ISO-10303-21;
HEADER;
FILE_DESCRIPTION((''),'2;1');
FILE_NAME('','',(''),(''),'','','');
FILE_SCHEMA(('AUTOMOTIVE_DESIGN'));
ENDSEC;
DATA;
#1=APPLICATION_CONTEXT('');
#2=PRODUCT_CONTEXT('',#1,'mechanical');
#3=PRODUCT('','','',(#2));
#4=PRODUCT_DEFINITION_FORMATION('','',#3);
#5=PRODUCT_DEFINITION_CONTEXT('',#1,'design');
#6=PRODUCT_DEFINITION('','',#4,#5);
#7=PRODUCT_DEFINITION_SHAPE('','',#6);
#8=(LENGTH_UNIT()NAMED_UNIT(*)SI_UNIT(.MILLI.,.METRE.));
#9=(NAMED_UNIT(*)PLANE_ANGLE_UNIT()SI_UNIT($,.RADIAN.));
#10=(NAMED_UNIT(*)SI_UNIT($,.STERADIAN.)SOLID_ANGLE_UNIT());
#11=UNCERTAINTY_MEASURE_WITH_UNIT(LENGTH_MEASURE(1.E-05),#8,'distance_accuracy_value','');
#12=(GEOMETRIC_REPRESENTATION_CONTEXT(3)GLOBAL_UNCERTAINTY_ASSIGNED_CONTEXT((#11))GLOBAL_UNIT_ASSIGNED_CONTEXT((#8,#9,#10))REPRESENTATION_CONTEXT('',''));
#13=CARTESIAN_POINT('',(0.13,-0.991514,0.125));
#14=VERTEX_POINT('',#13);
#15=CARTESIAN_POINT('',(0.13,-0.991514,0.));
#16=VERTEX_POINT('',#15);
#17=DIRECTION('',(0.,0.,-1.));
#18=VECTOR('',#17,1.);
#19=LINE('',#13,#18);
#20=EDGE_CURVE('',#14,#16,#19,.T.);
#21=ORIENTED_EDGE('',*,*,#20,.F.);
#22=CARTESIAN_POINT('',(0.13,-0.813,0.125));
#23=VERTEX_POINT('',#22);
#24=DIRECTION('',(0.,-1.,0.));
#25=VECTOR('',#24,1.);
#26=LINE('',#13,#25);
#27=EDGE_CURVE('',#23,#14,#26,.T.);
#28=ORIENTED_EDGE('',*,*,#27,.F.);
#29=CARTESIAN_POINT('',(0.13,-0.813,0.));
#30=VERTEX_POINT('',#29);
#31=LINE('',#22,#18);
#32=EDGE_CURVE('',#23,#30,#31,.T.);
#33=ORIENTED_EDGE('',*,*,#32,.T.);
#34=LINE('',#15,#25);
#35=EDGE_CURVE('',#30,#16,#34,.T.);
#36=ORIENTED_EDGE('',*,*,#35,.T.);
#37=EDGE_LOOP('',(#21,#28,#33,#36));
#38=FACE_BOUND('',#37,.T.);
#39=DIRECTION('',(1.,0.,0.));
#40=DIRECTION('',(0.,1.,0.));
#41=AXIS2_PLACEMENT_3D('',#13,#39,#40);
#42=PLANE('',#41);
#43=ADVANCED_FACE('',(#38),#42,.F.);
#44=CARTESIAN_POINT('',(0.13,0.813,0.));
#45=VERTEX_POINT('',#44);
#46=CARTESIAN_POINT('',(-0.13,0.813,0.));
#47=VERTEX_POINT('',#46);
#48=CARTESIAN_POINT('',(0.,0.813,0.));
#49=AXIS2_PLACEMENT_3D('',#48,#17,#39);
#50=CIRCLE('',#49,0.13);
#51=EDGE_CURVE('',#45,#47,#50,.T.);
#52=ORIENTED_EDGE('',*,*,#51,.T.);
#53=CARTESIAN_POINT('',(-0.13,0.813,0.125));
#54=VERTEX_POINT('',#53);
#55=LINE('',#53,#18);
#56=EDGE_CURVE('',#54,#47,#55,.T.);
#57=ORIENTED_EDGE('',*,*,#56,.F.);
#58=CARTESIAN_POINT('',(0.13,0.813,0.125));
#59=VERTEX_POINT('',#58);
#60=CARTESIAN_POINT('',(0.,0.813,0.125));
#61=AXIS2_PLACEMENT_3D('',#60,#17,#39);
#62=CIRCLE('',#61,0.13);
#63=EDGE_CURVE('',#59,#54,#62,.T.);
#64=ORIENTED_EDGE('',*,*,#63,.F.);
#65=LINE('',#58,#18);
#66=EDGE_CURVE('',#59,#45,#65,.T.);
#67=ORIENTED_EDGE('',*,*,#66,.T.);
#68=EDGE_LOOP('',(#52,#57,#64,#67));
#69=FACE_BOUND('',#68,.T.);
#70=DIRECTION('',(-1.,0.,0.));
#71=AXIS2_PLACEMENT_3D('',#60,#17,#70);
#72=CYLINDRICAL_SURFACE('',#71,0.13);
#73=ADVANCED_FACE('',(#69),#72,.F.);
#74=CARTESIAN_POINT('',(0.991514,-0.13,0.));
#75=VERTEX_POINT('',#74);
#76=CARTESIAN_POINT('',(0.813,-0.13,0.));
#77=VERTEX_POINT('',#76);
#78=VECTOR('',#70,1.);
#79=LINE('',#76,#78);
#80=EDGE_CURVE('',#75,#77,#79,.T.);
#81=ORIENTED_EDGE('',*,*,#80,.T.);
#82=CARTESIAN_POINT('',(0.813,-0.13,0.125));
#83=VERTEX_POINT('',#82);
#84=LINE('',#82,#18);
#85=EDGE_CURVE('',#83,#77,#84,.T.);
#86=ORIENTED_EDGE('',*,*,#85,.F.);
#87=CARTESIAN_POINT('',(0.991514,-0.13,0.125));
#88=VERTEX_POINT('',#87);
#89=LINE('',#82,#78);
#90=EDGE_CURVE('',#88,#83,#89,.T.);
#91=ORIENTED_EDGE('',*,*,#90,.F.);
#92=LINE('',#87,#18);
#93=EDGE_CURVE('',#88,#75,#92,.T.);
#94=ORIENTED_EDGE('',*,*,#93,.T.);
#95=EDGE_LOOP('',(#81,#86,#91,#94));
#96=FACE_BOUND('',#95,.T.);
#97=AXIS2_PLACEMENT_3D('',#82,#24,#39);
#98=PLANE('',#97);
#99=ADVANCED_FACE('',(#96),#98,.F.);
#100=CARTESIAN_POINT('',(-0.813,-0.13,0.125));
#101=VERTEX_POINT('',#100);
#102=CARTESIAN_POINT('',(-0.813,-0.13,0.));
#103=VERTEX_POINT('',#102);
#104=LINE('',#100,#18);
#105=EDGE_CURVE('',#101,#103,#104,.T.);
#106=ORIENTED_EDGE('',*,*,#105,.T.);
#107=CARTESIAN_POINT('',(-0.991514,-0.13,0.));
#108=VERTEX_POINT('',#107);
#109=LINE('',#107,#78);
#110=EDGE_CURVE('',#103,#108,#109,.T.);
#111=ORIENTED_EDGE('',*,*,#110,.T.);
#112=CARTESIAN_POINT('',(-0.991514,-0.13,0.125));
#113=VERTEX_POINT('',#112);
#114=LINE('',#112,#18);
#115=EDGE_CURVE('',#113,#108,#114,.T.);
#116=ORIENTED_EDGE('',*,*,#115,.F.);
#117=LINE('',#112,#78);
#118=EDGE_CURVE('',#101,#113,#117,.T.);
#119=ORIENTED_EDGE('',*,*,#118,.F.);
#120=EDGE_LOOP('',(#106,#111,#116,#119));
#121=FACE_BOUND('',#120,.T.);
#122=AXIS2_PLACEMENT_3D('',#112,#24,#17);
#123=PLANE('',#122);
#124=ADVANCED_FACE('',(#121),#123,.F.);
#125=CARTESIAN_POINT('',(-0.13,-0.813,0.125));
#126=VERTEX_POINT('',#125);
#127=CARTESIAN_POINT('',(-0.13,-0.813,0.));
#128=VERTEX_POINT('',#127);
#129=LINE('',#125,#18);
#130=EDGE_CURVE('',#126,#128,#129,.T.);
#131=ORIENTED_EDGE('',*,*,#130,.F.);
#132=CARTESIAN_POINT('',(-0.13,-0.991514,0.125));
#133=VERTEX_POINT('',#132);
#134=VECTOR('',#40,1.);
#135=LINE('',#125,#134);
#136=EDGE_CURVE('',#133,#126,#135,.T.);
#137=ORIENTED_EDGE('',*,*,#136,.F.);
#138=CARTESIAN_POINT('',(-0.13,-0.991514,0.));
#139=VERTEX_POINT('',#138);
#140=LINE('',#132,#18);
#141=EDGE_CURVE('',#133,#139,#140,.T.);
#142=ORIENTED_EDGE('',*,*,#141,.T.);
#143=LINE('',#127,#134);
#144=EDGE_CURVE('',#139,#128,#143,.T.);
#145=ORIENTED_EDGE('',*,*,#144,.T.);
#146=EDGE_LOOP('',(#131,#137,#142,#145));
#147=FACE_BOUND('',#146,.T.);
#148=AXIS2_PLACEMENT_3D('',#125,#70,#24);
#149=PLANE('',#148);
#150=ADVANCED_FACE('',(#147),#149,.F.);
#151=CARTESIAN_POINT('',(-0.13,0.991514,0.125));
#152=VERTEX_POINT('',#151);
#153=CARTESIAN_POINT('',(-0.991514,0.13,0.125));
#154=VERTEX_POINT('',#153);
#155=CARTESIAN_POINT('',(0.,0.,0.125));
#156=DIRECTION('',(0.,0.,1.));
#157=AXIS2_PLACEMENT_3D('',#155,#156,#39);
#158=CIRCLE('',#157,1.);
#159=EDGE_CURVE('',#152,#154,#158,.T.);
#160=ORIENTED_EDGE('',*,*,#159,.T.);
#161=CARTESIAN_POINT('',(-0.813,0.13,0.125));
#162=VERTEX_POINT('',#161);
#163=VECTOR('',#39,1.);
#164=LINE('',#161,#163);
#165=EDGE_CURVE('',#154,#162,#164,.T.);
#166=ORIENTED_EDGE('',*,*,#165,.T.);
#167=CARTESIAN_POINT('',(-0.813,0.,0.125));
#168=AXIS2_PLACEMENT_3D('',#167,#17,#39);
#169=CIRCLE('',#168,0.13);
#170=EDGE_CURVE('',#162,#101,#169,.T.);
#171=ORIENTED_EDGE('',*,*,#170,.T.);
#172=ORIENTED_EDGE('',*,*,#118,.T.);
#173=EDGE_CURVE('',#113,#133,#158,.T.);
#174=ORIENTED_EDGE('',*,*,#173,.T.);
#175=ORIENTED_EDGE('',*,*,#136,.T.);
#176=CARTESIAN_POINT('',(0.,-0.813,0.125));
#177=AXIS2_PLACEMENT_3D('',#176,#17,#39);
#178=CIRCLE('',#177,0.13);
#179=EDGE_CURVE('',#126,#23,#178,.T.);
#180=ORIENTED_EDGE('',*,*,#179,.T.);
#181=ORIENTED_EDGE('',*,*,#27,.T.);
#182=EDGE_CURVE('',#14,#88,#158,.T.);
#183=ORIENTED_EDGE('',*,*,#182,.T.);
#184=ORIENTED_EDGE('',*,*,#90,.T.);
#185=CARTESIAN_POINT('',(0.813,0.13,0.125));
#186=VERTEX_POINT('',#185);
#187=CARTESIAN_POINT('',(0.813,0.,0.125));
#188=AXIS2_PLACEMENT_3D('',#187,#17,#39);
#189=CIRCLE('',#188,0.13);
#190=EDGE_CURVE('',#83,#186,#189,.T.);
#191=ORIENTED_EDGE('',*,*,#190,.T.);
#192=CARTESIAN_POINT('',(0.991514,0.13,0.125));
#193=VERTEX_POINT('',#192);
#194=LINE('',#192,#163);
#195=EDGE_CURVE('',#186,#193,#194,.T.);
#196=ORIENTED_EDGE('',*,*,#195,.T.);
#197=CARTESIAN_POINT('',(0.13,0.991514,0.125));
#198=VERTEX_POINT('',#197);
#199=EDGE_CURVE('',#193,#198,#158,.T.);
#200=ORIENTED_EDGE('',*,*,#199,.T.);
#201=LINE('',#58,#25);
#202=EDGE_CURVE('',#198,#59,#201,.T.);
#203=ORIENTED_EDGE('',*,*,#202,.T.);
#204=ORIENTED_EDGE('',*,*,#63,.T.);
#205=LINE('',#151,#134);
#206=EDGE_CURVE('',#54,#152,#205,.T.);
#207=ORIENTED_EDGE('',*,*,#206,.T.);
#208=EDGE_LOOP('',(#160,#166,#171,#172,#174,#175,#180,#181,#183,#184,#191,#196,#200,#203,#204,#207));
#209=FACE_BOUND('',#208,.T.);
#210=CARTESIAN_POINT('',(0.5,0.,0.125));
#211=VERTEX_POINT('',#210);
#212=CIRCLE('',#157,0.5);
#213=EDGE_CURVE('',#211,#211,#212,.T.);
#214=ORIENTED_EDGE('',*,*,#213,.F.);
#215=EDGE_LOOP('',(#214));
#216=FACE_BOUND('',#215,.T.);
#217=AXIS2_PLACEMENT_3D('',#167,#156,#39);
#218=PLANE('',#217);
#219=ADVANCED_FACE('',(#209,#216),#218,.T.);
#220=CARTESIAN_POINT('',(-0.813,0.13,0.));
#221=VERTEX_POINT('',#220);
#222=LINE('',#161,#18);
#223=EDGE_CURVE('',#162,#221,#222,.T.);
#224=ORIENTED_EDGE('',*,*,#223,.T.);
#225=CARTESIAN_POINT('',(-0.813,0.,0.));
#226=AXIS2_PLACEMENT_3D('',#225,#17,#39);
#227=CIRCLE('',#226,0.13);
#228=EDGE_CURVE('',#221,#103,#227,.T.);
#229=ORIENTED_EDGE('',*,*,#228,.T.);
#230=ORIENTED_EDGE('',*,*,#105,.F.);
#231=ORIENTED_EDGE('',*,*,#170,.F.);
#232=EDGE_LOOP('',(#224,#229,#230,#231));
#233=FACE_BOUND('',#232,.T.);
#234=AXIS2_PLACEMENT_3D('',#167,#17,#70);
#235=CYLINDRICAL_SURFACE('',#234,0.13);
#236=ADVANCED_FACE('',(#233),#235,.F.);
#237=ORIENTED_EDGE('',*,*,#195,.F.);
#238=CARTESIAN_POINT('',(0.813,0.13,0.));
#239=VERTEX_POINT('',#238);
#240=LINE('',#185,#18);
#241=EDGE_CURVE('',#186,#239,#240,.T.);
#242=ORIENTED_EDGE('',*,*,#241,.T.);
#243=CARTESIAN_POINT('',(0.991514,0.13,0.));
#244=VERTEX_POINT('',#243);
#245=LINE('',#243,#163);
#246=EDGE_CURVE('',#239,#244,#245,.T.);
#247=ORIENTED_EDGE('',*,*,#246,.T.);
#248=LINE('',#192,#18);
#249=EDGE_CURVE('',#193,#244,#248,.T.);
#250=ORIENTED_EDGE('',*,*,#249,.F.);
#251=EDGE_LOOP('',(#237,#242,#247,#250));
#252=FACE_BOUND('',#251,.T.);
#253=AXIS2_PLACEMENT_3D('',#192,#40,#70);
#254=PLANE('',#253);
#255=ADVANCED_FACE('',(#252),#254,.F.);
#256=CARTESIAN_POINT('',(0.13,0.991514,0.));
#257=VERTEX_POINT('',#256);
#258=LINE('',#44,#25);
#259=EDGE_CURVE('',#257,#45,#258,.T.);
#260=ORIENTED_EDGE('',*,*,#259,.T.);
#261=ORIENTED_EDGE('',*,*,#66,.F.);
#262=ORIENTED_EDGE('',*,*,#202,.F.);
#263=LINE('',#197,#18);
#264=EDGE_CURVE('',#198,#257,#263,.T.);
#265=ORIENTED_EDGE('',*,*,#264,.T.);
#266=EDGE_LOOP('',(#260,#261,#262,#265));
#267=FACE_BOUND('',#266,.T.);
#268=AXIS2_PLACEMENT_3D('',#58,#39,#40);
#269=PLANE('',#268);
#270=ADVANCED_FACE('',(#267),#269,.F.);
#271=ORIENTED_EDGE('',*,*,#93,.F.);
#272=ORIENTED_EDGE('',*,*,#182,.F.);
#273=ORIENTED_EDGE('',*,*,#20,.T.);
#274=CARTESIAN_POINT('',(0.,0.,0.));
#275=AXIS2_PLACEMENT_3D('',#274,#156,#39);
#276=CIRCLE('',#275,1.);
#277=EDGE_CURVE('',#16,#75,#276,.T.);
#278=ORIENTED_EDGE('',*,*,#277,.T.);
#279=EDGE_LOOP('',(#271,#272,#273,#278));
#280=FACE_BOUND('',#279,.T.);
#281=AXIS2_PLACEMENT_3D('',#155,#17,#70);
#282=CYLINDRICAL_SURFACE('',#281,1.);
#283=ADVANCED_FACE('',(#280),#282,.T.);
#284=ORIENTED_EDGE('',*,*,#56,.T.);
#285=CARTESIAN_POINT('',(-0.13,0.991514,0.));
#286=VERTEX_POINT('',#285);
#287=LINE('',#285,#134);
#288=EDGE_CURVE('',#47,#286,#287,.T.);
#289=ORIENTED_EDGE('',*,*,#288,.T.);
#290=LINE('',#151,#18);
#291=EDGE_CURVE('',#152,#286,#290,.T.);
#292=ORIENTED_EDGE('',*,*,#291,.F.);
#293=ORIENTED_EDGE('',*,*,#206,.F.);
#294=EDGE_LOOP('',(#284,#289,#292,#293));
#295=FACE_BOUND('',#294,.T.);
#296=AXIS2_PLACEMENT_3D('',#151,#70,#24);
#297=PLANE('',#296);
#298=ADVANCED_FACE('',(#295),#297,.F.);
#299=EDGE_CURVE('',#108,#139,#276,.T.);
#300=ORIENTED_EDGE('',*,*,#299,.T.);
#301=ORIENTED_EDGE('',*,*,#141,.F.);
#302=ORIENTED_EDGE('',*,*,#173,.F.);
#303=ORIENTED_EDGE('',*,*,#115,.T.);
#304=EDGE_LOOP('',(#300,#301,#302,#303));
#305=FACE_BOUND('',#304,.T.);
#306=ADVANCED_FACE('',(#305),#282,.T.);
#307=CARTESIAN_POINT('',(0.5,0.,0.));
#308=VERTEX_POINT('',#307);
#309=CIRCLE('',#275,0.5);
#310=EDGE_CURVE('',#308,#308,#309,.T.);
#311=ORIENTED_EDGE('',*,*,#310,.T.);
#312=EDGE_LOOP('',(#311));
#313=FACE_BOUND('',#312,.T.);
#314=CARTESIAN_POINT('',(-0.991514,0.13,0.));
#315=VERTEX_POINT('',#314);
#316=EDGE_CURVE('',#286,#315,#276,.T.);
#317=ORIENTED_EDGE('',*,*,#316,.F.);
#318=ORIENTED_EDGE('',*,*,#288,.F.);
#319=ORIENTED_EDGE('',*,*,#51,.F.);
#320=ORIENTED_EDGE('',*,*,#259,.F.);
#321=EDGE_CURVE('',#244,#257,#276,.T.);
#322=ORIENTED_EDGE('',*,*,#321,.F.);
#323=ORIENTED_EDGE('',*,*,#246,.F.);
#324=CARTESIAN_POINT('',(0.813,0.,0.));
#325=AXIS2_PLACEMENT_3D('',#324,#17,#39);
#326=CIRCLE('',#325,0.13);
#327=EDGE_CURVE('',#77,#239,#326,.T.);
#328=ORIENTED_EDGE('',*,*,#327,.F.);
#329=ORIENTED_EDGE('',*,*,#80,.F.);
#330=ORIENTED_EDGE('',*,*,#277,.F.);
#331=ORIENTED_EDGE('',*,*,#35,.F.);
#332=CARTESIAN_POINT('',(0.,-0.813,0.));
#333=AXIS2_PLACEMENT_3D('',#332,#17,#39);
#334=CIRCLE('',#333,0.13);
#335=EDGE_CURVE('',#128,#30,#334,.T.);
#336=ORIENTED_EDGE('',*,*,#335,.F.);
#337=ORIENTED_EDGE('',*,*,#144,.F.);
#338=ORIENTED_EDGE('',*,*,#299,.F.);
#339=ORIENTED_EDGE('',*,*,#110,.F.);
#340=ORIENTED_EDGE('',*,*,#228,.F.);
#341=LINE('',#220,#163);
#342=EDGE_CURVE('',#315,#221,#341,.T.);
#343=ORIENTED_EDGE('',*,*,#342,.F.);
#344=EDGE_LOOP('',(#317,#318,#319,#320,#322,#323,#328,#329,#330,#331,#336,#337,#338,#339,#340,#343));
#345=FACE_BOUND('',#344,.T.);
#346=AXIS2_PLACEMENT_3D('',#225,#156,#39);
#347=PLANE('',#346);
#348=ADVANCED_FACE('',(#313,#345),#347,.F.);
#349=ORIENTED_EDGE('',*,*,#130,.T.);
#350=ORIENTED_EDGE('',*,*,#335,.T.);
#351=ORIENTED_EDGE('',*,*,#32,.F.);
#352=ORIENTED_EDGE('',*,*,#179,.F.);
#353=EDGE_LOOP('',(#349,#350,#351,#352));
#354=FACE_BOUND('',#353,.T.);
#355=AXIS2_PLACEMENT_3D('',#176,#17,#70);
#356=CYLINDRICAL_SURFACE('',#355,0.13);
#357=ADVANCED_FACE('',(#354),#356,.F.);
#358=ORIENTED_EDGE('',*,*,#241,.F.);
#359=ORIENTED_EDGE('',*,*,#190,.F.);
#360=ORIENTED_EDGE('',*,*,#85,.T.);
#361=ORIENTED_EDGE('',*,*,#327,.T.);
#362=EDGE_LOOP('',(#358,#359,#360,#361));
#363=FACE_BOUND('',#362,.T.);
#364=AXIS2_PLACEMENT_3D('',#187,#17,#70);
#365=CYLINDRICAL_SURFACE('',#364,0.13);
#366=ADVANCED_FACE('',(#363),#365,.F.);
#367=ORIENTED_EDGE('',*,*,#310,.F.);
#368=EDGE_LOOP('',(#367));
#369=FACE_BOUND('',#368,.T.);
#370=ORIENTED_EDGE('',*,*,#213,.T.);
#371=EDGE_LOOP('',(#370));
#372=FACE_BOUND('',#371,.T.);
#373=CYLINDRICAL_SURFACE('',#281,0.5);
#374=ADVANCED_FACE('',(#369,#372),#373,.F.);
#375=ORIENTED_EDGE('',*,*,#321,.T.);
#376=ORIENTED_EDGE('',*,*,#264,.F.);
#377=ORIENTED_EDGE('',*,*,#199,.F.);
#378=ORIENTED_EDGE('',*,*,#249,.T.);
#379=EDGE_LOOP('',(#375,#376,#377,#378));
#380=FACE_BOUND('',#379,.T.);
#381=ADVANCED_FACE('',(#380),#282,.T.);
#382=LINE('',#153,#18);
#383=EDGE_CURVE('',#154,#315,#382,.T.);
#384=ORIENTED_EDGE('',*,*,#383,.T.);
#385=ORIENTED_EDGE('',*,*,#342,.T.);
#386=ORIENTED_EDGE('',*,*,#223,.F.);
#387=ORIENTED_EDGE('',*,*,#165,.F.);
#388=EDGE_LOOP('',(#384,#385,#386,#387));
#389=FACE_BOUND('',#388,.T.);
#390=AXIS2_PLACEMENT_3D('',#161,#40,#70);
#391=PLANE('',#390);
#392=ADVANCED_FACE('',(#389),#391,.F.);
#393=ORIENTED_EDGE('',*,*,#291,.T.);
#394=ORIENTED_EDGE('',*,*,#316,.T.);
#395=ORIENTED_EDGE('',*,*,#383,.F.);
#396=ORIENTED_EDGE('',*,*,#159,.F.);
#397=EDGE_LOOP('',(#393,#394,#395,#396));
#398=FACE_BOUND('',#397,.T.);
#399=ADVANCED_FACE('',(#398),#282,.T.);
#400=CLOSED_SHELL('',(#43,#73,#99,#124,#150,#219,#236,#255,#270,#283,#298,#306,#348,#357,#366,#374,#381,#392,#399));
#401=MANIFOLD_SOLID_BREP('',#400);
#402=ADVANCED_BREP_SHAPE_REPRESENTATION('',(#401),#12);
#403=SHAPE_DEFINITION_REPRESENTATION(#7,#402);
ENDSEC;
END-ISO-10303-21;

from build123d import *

# Parameters (mm, degrees)
SKETCH1_R           = 0.5
BOSS_EXTRUDE1_DEPTH = 0.125


with BuildPart() as part:
    # Sketch1 → Boss-Extrude1 (new body)
    with BuildSketch(Plane.XY):
        with BuildLine():
            Line((-0.813, 0.13), (-0.991513994, 0.13))
            ThreePointArc((-0.991513994, 0.13), (-0.707106781, 0.707106781), (-0.13, 0.991513994))
            Line((-0.13, 0.991513994), (-0.13, 0.813))
            ThreePointArc((-0.13, 0.813), (0, 0.683), (0.13, 0.813))
            Line((0.13, 0.813), (0.13, 0.991513994))
            ThreePointArc((0.13, 0.991513994), (0.707106781, 0.707106781), (0.991513994, 0.13))
            Line((0.991513994, 0.13), (0.813, 0.13))
            ThreePointArc((0.813, 0.13), (0.683, 0), (0.813, -0.13))
            Line((0.813, -0.13), (0.991513994, -0.13))
            ThreePointArc((0.991513994, -0.13), (0.707106781, -0.707106781), (0.13, -0.991513994))
            Line((0.13, -0.991513994), (0.13, -0.813))
            ThreePointArc((0.13, -0.813), (0, -0.683), (-0.13, -0.813))
            Line((-0.13, -0.813), (-0.13, -0.991513994))
            ThreePointArc((-0.13, -0.991513994), (-0.707106781, -0.707106781), (-0.991513994, -0.13))
            Line((-0.991513994, -0.13), (-0.813, -0.13))
            ThreePointArc((-0.813, -0.13), (-0.683, 0), (-0.813, 0.13))
        make_face()
        Circle(SKETCH1_R, mode=Mode.SUBTRACT)
    extrude(amount=BOSS_EXTRUDE1_DEPTH)


solid = part.part
